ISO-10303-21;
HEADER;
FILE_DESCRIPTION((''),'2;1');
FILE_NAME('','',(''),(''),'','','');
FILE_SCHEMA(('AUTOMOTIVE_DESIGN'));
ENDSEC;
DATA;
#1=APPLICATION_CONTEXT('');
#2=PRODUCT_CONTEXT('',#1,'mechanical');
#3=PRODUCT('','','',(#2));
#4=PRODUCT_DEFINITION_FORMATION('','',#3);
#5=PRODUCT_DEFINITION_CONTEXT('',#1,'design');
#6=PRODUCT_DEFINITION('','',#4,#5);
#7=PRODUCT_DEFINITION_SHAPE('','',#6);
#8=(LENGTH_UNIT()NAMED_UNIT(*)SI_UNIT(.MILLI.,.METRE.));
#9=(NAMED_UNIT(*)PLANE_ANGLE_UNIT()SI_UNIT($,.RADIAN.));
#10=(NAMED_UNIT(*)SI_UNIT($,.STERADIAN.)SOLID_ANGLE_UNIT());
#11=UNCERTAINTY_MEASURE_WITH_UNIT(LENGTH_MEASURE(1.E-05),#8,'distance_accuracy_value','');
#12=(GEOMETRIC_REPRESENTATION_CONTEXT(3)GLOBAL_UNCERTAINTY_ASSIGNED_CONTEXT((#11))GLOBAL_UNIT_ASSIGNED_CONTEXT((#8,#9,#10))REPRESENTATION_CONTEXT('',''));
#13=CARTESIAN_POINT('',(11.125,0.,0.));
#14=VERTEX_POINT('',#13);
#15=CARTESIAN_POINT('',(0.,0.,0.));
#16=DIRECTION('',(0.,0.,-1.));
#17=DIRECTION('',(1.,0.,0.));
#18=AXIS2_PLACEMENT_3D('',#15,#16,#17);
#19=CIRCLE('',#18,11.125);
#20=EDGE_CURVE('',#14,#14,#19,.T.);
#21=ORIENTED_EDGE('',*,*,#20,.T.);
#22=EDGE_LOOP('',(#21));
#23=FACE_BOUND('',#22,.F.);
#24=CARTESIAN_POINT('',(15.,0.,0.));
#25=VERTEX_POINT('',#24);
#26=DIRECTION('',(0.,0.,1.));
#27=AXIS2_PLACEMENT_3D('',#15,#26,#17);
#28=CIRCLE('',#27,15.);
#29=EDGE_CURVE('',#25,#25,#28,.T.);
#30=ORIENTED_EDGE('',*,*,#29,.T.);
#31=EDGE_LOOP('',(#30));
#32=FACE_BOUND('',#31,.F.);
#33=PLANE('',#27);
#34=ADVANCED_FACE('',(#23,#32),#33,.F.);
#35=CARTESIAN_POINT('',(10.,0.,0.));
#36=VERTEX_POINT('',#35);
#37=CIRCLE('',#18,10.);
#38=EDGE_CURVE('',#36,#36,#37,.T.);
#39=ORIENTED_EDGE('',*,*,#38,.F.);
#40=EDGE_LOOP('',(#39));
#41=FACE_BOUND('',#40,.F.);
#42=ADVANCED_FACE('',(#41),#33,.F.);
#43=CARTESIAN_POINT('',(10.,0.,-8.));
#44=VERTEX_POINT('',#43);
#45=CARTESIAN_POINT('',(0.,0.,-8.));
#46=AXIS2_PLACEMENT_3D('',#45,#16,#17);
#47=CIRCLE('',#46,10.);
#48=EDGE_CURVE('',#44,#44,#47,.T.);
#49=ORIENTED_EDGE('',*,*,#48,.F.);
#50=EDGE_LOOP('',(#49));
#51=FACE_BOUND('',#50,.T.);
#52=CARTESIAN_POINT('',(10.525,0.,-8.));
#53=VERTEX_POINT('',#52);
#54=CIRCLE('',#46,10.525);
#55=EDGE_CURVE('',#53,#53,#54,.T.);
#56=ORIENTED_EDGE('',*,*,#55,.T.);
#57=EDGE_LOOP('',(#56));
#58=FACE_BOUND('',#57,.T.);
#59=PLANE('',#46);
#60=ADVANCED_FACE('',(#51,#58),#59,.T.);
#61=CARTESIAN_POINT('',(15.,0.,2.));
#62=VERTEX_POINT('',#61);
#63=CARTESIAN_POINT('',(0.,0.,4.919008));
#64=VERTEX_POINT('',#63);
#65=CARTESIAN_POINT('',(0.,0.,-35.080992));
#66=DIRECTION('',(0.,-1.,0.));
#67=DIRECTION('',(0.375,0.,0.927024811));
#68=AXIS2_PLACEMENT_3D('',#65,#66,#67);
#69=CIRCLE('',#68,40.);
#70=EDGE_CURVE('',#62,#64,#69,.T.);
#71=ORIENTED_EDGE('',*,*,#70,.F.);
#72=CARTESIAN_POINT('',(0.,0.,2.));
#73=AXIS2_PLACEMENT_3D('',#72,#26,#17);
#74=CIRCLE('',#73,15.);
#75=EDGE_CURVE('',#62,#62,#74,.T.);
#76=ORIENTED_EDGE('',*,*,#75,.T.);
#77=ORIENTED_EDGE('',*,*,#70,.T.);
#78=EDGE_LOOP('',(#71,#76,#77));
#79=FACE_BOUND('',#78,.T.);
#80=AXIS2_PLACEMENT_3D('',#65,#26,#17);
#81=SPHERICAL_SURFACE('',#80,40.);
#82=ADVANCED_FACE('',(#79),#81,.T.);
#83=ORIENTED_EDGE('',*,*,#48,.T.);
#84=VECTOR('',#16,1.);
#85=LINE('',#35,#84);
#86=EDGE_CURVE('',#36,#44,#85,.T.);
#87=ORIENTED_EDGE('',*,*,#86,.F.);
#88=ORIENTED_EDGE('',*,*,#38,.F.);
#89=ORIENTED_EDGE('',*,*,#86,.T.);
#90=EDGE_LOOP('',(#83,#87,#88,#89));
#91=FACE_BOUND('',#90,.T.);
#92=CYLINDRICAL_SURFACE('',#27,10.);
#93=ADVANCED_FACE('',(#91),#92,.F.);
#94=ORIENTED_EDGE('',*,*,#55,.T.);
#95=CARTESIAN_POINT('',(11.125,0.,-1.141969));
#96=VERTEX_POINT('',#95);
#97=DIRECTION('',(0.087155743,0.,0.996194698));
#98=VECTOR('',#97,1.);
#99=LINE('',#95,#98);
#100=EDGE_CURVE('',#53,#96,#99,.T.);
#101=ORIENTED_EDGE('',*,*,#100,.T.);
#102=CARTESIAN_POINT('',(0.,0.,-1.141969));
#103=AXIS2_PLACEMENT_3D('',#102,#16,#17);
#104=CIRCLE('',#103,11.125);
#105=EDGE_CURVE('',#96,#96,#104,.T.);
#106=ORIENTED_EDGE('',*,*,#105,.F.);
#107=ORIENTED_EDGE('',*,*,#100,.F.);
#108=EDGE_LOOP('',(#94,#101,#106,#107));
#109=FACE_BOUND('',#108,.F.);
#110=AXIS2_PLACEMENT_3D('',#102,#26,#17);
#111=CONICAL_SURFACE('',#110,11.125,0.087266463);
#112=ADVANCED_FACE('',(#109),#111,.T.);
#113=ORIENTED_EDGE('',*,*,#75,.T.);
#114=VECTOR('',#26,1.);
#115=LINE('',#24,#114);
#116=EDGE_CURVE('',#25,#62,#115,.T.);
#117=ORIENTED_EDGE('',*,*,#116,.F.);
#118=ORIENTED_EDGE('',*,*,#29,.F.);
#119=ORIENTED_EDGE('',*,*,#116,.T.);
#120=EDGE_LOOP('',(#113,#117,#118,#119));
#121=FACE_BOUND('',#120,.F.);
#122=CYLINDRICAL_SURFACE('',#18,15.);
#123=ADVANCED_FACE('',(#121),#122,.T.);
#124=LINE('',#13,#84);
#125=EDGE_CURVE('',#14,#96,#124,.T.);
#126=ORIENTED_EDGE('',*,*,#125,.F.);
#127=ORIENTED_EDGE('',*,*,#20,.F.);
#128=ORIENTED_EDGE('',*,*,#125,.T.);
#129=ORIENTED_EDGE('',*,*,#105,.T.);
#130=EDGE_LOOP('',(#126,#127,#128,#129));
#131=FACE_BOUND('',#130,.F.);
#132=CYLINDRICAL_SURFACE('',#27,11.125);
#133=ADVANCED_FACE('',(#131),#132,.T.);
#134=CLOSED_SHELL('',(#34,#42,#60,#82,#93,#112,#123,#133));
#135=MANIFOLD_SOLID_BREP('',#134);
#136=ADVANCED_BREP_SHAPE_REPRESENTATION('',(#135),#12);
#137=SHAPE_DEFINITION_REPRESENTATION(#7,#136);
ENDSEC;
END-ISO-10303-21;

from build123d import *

# Parameters (mm, degrees)
F0_R     = 15
F1_DEPTH = 2
F2_R     = 11.125
F2_R_2   = 10
F3_DEPTH = 8
F4_SIZE2 = 6.8580313817
F4_SIZE  = 0.6


with BuildPart() as f1:
    # F0 (on Top) → F1 (new body)
    with BuildSketch(Plane.XY):
        Circle(F0_R)
    extrude(amount=F1_DEPTH)

    # F2 (on face) → F3 (join)
    with BuildSketch(Plane(origin=(0, 0, 0), x_dir=(1, 0, 0), z_dir=(0, 0, -1))):
        Circle(F2_R)
        Circle(F2_R_2, mode=Mode.SUBTRACT)
    extrude(amount=F3_DEPTH)

    # F4
    f4_edges = [f1.edges().sort_by_distance(p)[0] for p in [
        (-11.125, 0, -8),
    ]]
    f4_side = f1.faces().sort_by_distance((-10.810337, 0, -8))[0]
    chamfer(f4_edges, length=F4_SIZE, length2=F4_SIZE2, reference=f4_side)

    # F5 (on Front) → F6 (revolve)
    with BuildSketch(Plane.XZ):
        with BuildLine():
            Line((0, 4.9190075645), (0, 2))
            Line((0, 2), (15, 2))
            ThreePointArc((15, 2), (7.6406904983, 4.1824746645), (0, 4.9190075645))
        make_face()
    revolve(axis=Axis((0, 0, 3.4595037823), (0, 0, 1)))


solid = f1.part
